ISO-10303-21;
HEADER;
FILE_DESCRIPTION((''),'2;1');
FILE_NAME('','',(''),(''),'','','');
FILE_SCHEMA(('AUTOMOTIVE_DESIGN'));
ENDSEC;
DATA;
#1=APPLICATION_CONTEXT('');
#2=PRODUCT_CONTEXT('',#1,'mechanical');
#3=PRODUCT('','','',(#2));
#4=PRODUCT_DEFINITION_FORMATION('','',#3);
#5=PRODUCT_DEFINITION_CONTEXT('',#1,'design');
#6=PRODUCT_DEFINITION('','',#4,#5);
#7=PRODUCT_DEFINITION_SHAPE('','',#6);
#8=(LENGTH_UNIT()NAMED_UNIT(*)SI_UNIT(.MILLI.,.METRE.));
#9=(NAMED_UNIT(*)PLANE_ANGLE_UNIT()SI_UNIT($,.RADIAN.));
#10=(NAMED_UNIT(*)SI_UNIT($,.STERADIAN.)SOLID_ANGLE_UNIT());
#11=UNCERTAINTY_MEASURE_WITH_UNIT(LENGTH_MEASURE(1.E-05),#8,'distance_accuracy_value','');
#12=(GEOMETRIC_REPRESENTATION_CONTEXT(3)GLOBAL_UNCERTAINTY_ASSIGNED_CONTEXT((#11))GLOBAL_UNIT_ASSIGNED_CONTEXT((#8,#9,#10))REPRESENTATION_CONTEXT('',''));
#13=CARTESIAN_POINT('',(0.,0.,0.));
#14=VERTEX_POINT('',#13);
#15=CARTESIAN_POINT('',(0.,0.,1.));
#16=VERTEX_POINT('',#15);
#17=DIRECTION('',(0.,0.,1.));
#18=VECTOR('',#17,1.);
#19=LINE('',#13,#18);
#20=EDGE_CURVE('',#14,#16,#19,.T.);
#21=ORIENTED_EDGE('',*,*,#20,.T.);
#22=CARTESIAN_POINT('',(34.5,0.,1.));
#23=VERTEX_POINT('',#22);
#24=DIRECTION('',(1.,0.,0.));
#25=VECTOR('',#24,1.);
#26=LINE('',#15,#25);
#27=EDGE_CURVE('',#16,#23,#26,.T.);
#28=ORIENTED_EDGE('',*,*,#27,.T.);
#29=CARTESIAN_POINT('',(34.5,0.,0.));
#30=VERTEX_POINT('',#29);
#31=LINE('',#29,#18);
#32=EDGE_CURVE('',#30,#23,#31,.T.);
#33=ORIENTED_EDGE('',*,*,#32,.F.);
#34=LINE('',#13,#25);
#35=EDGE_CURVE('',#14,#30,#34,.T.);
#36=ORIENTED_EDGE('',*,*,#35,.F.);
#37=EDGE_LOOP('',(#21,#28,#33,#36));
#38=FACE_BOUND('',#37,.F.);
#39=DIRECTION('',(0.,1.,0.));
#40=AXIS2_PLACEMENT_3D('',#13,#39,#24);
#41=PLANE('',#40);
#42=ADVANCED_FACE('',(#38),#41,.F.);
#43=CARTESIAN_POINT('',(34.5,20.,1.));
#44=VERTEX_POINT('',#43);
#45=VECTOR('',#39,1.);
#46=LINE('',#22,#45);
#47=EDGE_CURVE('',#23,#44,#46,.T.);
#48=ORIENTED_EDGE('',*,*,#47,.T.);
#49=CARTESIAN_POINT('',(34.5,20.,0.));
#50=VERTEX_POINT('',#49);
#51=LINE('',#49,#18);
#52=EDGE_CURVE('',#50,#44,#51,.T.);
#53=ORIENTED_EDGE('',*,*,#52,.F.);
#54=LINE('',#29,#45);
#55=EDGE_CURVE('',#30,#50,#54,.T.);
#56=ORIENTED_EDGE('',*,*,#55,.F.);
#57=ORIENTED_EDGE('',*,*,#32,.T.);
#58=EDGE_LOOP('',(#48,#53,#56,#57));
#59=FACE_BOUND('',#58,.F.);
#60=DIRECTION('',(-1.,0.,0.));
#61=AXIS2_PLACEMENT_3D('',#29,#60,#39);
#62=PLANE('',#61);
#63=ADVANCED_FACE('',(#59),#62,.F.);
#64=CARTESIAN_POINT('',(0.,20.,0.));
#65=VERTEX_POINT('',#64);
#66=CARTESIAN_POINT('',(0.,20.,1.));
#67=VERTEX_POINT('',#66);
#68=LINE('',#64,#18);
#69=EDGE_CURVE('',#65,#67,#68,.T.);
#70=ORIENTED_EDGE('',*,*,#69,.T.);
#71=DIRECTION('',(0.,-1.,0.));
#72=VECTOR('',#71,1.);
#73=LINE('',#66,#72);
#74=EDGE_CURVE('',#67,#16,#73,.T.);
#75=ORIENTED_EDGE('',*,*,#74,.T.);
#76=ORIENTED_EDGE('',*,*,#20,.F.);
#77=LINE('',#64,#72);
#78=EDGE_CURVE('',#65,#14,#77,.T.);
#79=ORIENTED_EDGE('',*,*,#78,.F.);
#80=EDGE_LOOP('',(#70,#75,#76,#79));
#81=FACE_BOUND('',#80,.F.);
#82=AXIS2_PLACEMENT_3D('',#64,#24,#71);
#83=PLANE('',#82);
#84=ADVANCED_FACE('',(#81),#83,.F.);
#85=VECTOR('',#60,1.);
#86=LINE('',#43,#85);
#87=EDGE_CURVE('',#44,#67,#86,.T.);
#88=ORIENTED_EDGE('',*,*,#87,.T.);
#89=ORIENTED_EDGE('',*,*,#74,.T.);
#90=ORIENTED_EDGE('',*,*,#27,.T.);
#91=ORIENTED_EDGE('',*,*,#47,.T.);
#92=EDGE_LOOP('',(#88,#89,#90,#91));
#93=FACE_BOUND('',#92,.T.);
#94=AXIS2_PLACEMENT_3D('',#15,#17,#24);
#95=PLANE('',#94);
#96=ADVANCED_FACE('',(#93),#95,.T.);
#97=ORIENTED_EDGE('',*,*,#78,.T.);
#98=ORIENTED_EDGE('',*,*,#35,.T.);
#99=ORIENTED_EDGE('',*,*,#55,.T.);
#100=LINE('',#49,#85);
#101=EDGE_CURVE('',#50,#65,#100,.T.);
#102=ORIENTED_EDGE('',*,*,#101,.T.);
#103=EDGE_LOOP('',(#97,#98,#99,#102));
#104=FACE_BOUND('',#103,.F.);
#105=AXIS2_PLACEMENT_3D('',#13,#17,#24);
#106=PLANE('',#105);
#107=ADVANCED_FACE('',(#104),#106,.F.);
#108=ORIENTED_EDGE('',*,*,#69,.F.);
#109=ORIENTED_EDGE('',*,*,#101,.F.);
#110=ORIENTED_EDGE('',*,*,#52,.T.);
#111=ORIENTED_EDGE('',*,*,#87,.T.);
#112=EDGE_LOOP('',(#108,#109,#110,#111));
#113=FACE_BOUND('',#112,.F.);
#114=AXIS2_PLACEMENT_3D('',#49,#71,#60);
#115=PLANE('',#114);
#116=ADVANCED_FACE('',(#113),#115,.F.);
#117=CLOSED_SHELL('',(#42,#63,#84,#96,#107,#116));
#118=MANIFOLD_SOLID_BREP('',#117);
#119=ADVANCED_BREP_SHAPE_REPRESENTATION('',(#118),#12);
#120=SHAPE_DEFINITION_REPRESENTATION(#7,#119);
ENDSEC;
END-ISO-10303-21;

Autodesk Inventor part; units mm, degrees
ref_plane "YZ Plane" through (0, 0, 0) normal (1, 0, 0) x (0, 1, 0)
ref_plane "XZ Plane" through (0, 0, 0) normal (0, 1, 0) x (-1, 0, 0)
ref_plane "XY Plane" through (0, 0, 0) normal (0, 0, 1) x (1, 0, 0)
sketch "Sketch1" plane through (0, 0, 0) normal (0, 0, 1) x (1, 0, 0)
  line L0 (0, 0) -> (34.5, 0)
  line L1 (34.5, 0) -> (34.5, 20)
  line L2 (34.5, 20) -> (0, 20)
  line L3 (0, 20) -> (0, 0)
  dimension "d0" = 34.5
  dimension "d1" = 20
extrude "Extrusion1" add sketch "Sketch1" along normal blind 1
properties part number "Onderkant"
